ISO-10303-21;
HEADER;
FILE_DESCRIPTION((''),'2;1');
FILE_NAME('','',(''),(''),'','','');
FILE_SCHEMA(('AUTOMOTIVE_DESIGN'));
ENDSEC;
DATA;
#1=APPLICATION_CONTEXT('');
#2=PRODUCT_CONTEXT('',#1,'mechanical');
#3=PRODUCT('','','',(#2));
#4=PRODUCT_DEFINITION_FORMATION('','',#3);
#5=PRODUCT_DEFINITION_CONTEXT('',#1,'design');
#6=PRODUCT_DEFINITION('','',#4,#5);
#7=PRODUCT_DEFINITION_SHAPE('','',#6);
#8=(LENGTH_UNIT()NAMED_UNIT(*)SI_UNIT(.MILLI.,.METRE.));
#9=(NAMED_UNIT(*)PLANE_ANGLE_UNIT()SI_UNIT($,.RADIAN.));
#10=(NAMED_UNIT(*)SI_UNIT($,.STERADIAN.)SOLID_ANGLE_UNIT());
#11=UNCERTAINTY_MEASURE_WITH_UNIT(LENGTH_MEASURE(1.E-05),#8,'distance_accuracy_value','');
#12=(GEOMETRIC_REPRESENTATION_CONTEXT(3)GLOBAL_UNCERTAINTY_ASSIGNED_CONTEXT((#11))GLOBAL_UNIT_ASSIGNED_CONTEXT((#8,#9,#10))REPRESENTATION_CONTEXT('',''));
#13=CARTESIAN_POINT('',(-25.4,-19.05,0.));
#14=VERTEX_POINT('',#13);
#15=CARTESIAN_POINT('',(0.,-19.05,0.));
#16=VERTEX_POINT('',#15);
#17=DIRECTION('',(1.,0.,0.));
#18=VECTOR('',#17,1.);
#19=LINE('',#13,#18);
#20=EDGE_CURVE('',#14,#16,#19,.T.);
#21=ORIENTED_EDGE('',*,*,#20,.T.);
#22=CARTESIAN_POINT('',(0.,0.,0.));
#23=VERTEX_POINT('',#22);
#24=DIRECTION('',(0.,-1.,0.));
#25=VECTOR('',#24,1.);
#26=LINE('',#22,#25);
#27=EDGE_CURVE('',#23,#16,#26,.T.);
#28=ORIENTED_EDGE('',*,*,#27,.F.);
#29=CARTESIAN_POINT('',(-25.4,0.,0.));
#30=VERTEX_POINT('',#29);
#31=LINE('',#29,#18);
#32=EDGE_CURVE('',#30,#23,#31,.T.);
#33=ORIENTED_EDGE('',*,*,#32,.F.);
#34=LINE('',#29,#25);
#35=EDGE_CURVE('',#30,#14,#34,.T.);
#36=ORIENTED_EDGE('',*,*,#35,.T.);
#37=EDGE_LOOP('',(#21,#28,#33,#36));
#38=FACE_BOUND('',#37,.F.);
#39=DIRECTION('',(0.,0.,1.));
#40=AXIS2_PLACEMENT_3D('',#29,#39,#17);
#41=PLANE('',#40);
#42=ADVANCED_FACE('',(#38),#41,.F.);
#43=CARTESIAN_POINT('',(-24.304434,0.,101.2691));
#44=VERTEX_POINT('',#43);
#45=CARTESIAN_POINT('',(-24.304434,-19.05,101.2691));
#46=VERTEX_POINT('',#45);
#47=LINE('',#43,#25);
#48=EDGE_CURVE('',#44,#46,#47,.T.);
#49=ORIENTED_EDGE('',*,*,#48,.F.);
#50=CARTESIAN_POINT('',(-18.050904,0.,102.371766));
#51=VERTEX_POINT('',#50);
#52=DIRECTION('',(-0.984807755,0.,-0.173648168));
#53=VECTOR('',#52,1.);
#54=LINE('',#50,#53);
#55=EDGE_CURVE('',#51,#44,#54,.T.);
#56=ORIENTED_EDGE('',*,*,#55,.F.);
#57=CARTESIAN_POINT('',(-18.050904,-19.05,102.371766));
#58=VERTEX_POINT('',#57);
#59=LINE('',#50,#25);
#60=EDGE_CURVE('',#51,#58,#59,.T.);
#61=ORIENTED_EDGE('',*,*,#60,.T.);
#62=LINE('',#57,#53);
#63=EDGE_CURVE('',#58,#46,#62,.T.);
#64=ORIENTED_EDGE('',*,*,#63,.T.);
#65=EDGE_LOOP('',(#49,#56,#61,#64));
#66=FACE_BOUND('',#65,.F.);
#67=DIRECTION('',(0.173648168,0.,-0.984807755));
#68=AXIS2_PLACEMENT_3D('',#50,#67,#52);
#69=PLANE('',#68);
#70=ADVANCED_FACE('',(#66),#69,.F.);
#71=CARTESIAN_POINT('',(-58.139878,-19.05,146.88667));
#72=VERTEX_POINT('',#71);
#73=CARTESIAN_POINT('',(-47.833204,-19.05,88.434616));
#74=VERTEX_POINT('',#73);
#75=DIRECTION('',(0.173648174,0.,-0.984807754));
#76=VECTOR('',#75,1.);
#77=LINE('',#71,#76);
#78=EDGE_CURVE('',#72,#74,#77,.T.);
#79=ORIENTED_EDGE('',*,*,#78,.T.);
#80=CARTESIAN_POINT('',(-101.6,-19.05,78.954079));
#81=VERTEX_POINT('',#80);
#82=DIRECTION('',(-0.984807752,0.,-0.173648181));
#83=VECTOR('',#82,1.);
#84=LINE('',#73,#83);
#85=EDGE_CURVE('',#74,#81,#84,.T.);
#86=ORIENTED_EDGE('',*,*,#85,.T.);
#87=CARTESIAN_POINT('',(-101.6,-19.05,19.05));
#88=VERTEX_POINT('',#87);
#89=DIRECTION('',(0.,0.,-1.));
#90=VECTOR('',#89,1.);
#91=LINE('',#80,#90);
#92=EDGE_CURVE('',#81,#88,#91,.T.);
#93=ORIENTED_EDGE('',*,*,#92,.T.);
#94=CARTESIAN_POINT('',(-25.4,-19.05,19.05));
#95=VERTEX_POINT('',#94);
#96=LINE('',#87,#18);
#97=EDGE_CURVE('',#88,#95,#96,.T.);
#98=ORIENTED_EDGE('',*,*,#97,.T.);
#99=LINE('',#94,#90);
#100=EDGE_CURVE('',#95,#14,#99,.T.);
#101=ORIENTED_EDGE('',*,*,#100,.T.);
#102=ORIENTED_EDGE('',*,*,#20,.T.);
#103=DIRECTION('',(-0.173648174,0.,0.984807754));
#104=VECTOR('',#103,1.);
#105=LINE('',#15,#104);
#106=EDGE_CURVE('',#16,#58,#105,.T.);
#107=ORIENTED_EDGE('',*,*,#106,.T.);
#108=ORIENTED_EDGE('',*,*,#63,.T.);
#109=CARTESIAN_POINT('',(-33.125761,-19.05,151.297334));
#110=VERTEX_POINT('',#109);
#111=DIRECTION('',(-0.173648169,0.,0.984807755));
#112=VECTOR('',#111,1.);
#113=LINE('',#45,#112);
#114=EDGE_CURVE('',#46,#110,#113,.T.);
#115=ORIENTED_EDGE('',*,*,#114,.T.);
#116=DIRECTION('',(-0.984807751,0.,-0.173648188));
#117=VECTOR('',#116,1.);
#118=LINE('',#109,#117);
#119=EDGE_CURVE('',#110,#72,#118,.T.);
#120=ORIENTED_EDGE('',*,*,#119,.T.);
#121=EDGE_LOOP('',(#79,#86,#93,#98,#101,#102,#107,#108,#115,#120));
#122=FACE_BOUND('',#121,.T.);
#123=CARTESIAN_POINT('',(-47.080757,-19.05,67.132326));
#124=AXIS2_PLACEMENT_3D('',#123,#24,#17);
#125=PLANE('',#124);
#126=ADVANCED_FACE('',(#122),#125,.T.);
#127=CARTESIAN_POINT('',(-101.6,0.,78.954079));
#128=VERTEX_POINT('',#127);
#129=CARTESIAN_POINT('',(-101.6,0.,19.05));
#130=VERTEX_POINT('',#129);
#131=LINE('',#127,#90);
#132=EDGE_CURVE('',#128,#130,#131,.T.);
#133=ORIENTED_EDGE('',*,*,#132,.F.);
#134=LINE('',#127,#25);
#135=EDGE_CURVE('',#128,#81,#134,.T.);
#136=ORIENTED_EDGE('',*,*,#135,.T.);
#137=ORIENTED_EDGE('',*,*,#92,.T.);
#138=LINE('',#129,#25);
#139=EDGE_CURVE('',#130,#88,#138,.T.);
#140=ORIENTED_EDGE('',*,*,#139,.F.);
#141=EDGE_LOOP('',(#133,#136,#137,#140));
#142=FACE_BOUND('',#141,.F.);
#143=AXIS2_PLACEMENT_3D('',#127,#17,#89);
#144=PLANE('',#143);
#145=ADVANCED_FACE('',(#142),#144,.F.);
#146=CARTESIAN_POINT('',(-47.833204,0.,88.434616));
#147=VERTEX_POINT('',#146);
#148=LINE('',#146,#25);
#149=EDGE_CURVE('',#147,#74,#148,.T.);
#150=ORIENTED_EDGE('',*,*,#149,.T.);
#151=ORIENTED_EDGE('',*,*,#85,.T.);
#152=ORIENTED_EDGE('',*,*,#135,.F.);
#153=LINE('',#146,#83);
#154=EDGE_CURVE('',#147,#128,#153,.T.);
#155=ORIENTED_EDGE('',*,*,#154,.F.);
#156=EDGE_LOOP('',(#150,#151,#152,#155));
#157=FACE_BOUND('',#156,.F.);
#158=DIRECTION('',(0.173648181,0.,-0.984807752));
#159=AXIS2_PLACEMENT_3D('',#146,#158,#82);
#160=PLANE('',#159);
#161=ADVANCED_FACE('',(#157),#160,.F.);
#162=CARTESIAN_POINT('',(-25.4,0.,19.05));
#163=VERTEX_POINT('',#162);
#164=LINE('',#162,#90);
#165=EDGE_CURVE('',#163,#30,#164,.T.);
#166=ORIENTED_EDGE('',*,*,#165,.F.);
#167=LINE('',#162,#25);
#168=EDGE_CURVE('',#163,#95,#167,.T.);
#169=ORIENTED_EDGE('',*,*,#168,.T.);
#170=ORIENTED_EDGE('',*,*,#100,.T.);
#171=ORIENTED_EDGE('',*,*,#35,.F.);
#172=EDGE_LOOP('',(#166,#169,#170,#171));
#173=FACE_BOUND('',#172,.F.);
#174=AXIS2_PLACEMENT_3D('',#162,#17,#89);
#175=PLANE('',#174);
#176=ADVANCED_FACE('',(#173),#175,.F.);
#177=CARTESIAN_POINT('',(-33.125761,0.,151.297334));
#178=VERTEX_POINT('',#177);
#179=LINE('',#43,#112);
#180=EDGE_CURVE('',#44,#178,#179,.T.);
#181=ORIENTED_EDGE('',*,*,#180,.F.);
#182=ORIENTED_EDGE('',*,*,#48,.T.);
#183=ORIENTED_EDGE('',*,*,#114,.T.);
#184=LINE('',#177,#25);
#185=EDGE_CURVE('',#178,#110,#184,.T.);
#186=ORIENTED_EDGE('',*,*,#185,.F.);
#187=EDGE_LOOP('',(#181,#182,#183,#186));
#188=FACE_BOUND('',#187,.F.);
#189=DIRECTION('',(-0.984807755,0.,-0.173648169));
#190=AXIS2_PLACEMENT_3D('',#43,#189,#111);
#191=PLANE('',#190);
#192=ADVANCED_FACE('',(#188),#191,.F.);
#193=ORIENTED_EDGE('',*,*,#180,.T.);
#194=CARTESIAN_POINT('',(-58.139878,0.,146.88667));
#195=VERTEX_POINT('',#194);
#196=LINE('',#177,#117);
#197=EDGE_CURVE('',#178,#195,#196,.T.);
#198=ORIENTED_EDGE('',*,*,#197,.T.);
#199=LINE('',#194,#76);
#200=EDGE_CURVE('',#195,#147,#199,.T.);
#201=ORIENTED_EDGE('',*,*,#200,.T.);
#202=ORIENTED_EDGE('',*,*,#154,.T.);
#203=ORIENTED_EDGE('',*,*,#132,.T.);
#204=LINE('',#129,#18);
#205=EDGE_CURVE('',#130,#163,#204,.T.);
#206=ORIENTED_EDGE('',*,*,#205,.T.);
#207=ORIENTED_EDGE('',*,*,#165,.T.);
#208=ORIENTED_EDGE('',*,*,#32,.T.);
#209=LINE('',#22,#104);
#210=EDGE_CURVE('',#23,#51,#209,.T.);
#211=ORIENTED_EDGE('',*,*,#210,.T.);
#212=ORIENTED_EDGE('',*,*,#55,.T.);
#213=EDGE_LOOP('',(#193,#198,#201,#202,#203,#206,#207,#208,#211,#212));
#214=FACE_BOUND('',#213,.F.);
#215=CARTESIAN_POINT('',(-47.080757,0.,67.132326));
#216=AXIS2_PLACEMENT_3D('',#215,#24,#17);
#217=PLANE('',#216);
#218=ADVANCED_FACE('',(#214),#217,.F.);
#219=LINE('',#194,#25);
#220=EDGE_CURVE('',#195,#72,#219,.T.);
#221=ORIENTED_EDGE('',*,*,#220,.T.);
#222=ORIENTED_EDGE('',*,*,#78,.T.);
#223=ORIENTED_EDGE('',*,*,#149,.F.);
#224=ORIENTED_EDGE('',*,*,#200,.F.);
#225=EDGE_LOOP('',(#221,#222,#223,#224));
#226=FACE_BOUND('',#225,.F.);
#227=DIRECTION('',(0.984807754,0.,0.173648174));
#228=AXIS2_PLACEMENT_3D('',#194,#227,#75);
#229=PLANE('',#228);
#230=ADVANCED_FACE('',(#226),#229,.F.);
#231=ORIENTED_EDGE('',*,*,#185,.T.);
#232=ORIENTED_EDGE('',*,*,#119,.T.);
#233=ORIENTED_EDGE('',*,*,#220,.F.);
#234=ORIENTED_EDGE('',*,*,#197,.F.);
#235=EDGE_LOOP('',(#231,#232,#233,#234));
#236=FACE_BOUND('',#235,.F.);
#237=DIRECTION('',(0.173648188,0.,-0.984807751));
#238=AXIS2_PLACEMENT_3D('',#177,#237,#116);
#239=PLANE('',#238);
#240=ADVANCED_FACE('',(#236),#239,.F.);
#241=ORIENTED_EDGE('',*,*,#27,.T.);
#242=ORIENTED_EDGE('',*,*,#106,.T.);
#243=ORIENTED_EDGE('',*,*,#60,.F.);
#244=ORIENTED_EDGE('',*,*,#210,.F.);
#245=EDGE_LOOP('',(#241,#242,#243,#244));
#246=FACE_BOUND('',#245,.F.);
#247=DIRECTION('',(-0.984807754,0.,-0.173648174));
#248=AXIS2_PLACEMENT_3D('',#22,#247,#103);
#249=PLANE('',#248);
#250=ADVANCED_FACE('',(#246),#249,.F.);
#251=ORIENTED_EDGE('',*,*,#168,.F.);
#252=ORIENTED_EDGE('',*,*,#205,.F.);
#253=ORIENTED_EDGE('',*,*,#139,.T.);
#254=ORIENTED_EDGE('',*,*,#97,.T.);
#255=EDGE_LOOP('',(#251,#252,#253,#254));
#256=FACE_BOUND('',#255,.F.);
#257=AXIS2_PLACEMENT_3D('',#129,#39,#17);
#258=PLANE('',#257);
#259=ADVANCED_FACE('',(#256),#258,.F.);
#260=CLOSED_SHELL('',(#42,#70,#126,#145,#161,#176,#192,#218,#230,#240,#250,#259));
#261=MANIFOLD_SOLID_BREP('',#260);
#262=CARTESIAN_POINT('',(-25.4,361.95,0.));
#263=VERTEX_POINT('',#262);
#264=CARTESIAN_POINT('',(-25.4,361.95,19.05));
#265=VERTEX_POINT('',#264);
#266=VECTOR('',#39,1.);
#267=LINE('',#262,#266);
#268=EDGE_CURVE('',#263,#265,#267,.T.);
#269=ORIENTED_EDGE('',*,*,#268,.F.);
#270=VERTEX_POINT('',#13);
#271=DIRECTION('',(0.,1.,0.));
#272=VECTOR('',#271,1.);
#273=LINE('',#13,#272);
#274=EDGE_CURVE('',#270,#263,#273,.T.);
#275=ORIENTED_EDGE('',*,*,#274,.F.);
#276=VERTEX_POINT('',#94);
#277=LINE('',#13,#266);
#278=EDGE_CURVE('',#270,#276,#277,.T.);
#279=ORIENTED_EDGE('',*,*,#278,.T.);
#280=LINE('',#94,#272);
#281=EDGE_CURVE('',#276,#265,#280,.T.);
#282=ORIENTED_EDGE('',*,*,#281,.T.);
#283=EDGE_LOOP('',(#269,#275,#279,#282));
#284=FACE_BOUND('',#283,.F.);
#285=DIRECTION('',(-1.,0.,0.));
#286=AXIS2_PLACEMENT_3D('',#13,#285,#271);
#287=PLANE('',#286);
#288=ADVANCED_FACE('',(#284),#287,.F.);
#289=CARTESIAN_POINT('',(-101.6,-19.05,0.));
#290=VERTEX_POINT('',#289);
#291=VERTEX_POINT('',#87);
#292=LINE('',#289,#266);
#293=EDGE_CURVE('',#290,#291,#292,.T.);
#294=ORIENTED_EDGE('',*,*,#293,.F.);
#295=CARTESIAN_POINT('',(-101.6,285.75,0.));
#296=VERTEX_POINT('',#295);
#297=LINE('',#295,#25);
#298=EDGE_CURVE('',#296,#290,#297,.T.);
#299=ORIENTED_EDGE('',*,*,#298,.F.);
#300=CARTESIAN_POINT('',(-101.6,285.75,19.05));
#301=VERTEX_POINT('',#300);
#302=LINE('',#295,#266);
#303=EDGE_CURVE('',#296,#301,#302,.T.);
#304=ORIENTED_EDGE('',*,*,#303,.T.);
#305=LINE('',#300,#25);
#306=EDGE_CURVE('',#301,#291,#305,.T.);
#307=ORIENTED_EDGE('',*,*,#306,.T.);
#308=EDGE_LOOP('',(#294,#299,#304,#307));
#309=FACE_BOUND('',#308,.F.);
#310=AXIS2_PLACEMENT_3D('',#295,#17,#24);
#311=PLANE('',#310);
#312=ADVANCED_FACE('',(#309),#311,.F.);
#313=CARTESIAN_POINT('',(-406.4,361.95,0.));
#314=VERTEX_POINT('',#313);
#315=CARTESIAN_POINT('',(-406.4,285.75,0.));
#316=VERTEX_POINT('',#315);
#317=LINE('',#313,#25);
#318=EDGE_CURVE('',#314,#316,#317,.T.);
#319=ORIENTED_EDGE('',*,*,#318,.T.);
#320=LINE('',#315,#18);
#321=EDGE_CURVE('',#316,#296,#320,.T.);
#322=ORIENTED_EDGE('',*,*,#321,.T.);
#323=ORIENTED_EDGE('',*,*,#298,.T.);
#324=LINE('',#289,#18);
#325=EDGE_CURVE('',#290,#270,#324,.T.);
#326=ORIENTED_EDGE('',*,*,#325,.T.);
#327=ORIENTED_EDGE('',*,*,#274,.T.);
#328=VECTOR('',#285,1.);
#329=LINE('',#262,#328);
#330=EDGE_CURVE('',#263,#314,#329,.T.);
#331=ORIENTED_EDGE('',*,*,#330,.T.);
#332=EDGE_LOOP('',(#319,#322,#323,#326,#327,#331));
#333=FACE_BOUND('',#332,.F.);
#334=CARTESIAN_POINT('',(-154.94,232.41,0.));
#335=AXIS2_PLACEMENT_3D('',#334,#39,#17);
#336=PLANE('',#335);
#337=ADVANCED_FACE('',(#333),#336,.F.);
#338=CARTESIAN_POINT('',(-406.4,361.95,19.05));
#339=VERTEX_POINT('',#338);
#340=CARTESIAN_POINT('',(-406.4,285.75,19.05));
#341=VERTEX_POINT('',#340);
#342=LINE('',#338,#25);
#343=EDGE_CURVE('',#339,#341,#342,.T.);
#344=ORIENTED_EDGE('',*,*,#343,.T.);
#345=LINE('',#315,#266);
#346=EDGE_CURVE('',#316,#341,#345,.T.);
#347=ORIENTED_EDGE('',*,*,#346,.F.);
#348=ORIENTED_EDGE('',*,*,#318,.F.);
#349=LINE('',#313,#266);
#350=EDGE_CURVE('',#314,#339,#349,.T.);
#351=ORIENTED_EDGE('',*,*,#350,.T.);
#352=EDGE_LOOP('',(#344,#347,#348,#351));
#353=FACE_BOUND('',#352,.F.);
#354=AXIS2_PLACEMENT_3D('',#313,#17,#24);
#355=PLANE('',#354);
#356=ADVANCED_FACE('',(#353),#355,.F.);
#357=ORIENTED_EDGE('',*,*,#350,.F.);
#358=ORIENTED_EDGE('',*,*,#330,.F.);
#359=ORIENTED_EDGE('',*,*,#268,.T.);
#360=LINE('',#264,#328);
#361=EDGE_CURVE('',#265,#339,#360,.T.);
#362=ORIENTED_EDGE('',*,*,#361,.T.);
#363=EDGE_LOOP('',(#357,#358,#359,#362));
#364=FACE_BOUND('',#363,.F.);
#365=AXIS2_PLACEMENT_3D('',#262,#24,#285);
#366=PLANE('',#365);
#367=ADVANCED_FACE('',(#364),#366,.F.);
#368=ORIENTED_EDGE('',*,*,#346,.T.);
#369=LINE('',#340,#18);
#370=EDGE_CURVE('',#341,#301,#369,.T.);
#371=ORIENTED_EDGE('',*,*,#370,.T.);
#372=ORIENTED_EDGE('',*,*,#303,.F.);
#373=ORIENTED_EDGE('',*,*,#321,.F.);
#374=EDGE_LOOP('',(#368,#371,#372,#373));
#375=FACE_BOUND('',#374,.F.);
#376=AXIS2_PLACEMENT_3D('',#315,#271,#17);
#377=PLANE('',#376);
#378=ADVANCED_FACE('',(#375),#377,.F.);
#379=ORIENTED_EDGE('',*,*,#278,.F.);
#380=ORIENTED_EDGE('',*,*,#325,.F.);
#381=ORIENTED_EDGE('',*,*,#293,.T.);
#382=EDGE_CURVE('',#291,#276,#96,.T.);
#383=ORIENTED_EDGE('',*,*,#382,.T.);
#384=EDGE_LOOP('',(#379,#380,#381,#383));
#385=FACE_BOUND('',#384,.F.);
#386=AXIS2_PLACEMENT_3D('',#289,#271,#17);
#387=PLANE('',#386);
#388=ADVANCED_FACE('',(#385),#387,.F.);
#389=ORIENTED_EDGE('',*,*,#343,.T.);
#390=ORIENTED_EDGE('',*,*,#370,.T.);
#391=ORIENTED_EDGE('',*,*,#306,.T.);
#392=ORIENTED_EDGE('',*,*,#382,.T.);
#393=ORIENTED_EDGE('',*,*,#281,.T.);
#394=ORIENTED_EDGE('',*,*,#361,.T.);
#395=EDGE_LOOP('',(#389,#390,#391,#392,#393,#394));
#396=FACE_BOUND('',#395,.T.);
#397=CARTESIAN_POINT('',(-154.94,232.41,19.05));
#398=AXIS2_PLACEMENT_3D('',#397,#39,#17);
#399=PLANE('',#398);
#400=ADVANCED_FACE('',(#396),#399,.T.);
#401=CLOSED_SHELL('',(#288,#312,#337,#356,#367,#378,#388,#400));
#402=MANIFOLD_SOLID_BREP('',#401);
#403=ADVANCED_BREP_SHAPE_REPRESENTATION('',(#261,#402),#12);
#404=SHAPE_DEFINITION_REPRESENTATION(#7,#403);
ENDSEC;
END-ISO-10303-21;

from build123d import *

# Parameters (mm, degrees)
F1_DEPTH = 19.05
F3_DEPTH = 19.05


with BuildPart() as f1:
    # F0 (on Front) → F1 (new body)
    with BuildSketch(Plane.XZ):
        Polygon((-25.4, 0), (0, 0), (-18.050904, 102.371766), (-24.304434, 101.2691), (-33.125761, 151.297334), (-58.139878, 146.88667), (-47.833204, 88.434616), (-101.6, 78.954079), (-101.6, 19.05), (-25.4, 19.05), align=None)
    extrude(amount=F1_DEPTH)


with BuildPart() as f3:
    # F2 (on Top) → F3 (new body)
    with BuildSketch(Plane.XY):
        Polygon((-101.6, -19.05), (-25.4, -19.05), (-25.4, 285.75), (-25.4, 361.95), (-406.4, 361.95), (-406.4, 285.75), (-101.6, 285.75), align=None)
    extrude(amount=F3_DEPTH)


solid = Compound([f1.part, f3.part])
